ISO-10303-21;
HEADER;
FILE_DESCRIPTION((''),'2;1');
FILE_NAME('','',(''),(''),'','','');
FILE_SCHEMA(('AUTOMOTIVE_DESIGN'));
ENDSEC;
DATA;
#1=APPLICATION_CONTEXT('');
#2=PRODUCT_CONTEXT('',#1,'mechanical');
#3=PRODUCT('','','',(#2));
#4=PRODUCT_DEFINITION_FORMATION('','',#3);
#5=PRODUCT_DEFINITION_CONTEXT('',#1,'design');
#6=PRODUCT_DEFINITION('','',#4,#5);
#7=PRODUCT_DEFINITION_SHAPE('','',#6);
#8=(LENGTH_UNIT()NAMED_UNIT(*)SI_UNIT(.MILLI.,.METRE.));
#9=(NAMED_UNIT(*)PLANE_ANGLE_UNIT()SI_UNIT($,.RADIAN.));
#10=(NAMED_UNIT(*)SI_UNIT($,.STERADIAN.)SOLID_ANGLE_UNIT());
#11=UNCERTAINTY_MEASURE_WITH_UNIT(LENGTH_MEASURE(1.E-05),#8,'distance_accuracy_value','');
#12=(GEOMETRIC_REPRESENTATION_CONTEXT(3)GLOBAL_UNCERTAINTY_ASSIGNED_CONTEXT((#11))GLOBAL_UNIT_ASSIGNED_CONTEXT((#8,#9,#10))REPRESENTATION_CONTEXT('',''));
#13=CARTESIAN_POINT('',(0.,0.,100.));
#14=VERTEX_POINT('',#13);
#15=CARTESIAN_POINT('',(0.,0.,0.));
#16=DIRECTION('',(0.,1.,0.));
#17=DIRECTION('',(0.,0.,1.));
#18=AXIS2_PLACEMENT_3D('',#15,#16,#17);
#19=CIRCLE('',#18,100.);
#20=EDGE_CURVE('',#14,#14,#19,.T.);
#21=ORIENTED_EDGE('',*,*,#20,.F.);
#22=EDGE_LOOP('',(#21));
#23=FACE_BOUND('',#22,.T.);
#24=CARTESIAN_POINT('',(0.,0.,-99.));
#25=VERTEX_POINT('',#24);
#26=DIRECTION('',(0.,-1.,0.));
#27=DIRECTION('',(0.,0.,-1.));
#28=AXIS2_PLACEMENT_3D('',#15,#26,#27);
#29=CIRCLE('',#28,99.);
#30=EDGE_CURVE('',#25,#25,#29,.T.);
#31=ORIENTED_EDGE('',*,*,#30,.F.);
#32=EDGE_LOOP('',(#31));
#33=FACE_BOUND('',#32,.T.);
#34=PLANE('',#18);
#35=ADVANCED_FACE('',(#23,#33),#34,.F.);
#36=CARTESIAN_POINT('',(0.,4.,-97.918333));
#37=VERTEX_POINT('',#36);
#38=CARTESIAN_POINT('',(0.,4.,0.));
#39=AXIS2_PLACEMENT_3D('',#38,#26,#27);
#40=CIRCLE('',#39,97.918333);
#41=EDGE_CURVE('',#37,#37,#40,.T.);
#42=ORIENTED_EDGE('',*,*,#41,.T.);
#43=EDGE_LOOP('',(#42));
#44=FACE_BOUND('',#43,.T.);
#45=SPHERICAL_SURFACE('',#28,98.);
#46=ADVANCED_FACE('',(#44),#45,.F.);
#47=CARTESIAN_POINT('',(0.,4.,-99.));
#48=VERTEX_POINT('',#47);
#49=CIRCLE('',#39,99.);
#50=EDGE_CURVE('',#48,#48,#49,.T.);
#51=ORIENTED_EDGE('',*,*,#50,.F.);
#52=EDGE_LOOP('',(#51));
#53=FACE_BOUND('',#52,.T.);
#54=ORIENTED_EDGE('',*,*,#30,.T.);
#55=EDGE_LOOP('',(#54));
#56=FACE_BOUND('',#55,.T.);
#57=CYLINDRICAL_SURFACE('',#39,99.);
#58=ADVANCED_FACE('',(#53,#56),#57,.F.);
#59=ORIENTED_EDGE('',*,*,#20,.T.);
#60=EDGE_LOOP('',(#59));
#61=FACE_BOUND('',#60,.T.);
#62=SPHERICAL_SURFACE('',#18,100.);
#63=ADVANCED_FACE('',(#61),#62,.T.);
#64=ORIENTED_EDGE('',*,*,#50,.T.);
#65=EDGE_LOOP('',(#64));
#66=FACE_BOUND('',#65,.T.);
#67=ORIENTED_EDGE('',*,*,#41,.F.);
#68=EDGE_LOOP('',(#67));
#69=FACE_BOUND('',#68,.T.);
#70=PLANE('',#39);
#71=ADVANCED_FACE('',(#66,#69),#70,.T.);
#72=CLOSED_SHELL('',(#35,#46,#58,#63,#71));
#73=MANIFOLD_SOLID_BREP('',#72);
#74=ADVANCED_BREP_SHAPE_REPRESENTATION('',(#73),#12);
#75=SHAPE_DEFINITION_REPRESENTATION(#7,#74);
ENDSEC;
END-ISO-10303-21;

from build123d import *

# Parameters (mm, degrees)
SHELL1_T           = 2
SKETCH2_R          = 125.720178412
CUT_EXTRUDE1_DEPTH = 156
SKETCH3_R          = 99
CUT_EXTRUDE2_DEPTH = 4


with BuildPart() as part:
    # Sketch1 → Revolve1 (revolve)
    with BuildSketch(Plane(origin=(0, 0, 0), x_dir=(1, 0, 0), z_dir=(0, 1, 0))):
        with BuildLine():
            Line((0, 100), (0, -100))
            ThreePointArc((0, -100), (100, 0), (0, 100))
        make_face()
    revolve(axis=Axis((0, 0, -100), (0, 0, 1)))

    # Shell1 (no face opened: a closed hollow body)
    add(offset(amount=-SHELL1_T, mode=Mode.PRIVATE), mode=Mode.SUBTRACT)

    # Sketch2 → Cut-Extrude1 (cut)
    with BuildSketch(Plane(origin=(0, 0, 0), x_dir=(1, 0, 0), z_dir=(0, 1, 0))):
        Circle(SKETCH2_R)
    extrude(amount=-CUT_EXTRUDE1_DEPTH, mode=Mode.SUBTRACT)

    # Sketch3 → Cut-Extrude2 (cut)
    with BuildSketch(Plane(origin=(0, 0, 0), x_dir=(-1, 0, 0), z_dir=(0, -1, 0))):
        with Locations(Location((0, 0, 0), (0, 0, 90))):
            Circle(SKETCH3_R)
    extrude(amount=-CUT_EXTRUDE2_DEPTH, mode=Mode.SUBTRACT)


solid = part.part
